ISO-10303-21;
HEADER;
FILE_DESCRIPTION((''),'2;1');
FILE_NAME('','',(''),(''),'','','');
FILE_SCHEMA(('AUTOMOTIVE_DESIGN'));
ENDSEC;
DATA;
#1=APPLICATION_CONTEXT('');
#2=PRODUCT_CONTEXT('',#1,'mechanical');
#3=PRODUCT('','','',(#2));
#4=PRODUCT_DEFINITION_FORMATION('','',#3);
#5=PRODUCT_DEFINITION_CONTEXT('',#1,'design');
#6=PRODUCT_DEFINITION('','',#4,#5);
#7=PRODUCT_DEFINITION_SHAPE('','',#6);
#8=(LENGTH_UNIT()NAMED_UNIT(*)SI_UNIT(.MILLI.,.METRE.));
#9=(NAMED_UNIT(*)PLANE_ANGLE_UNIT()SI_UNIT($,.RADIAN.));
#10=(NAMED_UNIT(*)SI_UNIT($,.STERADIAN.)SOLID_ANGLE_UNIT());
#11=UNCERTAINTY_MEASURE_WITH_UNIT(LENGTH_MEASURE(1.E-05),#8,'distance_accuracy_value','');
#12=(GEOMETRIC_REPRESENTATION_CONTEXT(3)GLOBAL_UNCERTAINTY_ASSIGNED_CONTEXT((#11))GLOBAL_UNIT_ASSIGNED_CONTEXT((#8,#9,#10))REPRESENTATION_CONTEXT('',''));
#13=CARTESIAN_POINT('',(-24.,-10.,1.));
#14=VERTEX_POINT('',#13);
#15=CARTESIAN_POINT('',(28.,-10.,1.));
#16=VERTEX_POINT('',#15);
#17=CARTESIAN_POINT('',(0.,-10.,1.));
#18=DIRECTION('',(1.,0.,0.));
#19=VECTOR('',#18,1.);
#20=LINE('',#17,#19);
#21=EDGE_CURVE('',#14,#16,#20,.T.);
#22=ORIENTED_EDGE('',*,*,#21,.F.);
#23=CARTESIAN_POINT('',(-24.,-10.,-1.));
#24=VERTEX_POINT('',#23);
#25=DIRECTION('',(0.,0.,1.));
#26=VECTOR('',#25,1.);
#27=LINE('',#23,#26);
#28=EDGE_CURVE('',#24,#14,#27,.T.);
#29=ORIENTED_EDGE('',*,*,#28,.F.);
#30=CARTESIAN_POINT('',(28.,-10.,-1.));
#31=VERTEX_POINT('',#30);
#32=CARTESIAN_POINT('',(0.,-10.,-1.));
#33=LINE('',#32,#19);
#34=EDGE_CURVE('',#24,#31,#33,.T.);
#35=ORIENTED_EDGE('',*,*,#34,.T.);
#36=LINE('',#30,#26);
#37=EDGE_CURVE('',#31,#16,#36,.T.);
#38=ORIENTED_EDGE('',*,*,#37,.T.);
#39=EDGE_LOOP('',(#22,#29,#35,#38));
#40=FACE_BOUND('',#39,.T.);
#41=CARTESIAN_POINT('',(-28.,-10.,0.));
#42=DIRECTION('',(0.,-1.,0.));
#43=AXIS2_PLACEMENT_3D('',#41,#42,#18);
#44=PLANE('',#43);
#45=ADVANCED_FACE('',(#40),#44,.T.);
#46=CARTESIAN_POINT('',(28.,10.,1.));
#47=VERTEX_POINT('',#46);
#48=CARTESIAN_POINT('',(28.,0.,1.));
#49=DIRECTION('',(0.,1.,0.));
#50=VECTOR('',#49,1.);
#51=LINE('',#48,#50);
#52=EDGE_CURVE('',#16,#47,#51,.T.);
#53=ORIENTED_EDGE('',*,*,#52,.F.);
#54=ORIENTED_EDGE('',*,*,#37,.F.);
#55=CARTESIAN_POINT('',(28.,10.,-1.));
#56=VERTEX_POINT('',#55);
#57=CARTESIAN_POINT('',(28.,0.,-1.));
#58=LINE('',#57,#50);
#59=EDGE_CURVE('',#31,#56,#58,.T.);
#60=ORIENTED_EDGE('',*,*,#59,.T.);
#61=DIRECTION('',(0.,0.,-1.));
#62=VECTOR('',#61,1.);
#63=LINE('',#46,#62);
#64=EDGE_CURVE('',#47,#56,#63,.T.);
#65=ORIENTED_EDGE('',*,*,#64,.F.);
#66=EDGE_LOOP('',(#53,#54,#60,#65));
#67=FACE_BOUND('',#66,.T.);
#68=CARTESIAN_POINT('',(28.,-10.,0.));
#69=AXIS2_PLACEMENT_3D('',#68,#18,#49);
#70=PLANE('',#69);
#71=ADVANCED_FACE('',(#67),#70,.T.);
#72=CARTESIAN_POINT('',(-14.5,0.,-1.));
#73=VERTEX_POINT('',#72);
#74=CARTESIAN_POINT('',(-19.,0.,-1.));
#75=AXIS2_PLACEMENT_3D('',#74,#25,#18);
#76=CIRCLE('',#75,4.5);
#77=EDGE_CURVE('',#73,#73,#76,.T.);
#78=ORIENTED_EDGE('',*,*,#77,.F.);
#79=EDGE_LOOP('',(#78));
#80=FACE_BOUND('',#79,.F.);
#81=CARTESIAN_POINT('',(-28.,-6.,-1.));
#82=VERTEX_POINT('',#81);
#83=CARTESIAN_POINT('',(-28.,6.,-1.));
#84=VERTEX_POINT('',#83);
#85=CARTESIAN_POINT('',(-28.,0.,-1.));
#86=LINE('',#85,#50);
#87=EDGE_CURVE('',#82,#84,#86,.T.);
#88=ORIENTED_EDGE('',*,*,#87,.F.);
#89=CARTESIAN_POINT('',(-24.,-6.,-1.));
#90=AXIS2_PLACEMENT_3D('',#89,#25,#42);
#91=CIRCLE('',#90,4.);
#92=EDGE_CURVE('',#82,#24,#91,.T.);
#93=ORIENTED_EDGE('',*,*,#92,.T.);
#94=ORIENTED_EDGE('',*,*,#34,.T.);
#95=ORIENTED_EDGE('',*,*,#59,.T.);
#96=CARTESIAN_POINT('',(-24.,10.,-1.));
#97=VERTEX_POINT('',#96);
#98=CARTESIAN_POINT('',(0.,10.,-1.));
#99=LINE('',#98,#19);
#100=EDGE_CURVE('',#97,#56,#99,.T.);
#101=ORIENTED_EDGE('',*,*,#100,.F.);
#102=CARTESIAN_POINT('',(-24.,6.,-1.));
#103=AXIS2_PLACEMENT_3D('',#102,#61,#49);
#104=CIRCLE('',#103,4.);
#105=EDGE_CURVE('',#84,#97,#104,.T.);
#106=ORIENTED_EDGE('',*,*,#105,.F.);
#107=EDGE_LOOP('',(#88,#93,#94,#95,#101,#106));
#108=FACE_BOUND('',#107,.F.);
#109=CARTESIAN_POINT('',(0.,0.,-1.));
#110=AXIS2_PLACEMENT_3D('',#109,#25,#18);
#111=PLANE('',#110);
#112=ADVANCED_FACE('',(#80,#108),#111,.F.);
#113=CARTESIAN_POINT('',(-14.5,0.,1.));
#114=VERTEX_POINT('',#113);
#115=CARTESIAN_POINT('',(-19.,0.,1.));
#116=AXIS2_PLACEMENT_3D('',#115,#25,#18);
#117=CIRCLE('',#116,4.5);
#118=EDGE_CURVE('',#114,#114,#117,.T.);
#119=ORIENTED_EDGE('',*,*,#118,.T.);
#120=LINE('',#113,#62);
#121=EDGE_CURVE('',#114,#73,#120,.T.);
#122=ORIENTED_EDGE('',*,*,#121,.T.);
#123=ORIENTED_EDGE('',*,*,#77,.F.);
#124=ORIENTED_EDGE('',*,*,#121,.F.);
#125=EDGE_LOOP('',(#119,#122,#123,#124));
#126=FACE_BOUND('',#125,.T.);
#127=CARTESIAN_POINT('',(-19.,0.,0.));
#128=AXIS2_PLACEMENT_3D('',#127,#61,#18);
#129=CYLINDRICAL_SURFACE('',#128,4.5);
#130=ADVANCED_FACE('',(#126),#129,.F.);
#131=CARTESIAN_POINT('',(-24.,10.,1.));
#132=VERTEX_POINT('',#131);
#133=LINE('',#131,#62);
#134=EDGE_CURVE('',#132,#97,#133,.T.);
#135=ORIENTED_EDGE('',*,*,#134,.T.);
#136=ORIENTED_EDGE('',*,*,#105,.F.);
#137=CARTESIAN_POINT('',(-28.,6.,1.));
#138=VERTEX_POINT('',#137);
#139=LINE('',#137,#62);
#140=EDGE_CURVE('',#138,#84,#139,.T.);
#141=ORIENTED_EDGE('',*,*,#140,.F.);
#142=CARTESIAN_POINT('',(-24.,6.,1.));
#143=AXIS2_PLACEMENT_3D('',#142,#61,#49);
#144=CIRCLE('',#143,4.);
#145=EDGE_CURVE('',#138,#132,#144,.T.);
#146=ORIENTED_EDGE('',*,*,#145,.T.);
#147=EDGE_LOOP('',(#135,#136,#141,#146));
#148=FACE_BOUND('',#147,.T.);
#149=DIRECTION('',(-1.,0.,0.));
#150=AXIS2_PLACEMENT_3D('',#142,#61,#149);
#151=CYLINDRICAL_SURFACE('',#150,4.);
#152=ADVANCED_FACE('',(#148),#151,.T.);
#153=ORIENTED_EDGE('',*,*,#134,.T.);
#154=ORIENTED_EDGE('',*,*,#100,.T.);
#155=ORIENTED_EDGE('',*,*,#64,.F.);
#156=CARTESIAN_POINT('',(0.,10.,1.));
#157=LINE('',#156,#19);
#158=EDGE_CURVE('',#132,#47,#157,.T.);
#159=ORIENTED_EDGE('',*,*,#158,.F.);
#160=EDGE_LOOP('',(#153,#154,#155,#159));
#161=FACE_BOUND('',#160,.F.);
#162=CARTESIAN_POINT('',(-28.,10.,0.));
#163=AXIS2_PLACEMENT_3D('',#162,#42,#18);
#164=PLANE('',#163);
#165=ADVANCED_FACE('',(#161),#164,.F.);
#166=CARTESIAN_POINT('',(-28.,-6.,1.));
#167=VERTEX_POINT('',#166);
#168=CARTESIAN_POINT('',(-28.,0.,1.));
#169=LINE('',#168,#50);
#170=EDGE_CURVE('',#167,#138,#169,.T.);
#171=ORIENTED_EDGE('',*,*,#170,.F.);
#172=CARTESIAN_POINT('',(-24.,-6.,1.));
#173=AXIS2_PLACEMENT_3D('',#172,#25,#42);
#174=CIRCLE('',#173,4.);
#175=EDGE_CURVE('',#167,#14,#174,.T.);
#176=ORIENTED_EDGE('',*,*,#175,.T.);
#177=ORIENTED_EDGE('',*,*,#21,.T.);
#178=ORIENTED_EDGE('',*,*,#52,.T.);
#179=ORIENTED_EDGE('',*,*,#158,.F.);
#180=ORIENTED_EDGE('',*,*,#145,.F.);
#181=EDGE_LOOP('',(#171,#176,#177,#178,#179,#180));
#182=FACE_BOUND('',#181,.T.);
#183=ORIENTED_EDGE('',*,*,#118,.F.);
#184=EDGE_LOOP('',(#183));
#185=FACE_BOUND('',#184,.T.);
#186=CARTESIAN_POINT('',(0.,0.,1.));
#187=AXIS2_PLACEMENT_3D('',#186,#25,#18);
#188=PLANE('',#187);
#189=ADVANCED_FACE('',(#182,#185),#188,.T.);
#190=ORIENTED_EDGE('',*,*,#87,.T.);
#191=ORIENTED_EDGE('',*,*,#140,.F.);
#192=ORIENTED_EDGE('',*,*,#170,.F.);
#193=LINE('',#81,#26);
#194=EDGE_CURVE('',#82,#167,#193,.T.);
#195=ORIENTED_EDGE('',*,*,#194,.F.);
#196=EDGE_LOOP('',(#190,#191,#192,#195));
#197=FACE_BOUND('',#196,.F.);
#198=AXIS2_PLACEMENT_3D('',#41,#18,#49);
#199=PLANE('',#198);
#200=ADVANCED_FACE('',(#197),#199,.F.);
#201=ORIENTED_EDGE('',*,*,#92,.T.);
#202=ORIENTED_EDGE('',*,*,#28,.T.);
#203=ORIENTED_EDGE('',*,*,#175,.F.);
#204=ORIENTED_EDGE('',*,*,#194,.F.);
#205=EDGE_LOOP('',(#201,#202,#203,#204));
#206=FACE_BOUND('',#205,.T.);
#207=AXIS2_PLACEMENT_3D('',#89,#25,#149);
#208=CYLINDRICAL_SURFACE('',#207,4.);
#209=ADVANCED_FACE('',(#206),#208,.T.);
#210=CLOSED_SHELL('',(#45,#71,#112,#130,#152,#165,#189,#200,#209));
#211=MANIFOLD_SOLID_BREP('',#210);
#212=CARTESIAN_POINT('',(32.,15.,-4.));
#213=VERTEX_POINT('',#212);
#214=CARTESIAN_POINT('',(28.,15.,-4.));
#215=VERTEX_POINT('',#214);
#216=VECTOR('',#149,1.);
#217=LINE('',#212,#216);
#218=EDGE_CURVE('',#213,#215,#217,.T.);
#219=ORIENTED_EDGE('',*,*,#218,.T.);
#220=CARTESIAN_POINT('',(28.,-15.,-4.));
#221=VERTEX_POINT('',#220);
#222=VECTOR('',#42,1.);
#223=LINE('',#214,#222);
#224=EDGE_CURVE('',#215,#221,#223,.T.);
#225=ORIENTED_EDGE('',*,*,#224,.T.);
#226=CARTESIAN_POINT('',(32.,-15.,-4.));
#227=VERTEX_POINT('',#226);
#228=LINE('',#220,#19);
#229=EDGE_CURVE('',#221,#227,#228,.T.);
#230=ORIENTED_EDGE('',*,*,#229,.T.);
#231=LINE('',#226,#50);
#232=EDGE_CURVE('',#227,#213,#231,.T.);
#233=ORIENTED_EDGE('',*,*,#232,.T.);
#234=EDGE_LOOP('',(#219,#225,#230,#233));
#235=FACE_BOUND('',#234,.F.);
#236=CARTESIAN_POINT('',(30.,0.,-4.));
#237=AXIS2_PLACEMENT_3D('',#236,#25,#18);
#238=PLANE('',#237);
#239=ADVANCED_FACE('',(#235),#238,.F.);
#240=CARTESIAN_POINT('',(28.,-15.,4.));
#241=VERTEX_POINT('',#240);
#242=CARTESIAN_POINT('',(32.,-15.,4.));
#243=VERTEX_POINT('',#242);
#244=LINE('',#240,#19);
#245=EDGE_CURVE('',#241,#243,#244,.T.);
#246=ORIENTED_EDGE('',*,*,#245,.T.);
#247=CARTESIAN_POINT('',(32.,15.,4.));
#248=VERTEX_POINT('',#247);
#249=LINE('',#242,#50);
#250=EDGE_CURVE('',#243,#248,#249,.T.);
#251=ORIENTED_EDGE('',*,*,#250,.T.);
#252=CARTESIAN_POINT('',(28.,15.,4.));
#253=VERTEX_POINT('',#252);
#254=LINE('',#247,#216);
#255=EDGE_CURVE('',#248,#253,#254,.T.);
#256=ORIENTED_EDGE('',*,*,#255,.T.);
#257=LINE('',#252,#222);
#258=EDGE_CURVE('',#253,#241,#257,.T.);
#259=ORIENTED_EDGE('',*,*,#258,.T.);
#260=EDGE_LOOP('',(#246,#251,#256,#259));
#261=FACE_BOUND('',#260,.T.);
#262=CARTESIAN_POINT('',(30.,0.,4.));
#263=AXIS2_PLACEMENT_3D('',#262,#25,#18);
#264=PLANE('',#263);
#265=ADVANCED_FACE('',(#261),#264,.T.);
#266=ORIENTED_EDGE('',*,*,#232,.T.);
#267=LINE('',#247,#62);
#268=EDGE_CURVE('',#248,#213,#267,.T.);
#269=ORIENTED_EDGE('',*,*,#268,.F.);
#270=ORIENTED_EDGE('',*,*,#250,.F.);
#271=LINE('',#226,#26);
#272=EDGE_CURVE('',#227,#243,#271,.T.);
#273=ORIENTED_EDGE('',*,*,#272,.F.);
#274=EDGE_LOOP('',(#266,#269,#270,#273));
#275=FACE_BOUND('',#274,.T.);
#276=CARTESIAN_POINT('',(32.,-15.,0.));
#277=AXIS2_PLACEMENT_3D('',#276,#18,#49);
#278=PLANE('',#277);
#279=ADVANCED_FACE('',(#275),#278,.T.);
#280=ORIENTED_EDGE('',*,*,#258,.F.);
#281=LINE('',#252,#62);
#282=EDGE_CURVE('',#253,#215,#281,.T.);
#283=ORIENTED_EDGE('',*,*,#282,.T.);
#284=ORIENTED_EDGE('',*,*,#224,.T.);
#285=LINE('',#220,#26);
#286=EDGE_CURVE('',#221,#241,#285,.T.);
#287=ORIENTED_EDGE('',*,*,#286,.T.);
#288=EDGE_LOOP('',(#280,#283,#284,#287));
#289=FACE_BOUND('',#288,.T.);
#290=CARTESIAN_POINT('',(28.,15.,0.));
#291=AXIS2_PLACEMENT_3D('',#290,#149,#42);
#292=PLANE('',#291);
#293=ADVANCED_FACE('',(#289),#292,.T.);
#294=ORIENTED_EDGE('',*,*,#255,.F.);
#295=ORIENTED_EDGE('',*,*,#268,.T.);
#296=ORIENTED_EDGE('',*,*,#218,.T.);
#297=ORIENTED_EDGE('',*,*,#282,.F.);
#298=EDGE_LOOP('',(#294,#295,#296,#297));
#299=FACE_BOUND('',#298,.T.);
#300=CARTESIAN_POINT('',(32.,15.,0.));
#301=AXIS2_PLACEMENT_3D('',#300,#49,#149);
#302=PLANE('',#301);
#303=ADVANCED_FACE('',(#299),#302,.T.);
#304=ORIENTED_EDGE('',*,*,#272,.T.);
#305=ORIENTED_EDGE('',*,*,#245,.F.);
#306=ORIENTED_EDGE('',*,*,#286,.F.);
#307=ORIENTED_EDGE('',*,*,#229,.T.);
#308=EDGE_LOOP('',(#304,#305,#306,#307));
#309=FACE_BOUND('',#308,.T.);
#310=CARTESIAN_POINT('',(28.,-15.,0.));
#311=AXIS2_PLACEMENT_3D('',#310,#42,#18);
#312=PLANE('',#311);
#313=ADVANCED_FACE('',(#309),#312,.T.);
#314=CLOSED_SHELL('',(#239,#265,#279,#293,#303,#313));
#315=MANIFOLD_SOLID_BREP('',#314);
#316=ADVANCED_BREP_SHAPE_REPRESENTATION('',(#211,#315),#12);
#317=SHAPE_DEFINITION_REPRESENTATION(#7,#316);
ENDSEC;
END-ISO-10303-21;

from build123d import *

# Parameters (mm, degrees)
F1_DEPTH = 4
F0_W     = 56
F0_H     = 20
F0_R     = 4.5
F2_DEPTH = 1
F3_R     = 4
F4_R     = 4


with BuildPart() as f1:
    # F0 (on Top) → F1 (new body, symmetric)
    with BuildSketch(Plane.XY):
        Polygon((28, 15), (28, 10), (28, -10), (28, -15), (32, -15), (32, 15), align=None)
    extrude(amount=F1_DEPTH, both=True)


with BuildPart() as f2:
    # F0 (on Top) → F2 (new body, symmetric)
    with BuildSketch(Plane.XY):
        Rectangle(F0_W, F0_H)
        with Locations((-19, 0)):
            Circle(F0_R, mode=Mode.SUBTRACT)
    extrude(amount=F2_DEPTH, both=True)

    # F3
    f3_edges = [f2.edges().sort_by_distance(p)[0] for p in [
        (-28, -10, 0),
    ]]
    fillet(f3_edges, radius=F3_R)

    # F4
    f4_edges = [f2.edges().sort_by_distance(p)[0] for p in [
        (-28, 10, 0),
    ]]
    fillet(f4_edges, radius=F4_R)


solid = Compound([f1.part, f2.part])
